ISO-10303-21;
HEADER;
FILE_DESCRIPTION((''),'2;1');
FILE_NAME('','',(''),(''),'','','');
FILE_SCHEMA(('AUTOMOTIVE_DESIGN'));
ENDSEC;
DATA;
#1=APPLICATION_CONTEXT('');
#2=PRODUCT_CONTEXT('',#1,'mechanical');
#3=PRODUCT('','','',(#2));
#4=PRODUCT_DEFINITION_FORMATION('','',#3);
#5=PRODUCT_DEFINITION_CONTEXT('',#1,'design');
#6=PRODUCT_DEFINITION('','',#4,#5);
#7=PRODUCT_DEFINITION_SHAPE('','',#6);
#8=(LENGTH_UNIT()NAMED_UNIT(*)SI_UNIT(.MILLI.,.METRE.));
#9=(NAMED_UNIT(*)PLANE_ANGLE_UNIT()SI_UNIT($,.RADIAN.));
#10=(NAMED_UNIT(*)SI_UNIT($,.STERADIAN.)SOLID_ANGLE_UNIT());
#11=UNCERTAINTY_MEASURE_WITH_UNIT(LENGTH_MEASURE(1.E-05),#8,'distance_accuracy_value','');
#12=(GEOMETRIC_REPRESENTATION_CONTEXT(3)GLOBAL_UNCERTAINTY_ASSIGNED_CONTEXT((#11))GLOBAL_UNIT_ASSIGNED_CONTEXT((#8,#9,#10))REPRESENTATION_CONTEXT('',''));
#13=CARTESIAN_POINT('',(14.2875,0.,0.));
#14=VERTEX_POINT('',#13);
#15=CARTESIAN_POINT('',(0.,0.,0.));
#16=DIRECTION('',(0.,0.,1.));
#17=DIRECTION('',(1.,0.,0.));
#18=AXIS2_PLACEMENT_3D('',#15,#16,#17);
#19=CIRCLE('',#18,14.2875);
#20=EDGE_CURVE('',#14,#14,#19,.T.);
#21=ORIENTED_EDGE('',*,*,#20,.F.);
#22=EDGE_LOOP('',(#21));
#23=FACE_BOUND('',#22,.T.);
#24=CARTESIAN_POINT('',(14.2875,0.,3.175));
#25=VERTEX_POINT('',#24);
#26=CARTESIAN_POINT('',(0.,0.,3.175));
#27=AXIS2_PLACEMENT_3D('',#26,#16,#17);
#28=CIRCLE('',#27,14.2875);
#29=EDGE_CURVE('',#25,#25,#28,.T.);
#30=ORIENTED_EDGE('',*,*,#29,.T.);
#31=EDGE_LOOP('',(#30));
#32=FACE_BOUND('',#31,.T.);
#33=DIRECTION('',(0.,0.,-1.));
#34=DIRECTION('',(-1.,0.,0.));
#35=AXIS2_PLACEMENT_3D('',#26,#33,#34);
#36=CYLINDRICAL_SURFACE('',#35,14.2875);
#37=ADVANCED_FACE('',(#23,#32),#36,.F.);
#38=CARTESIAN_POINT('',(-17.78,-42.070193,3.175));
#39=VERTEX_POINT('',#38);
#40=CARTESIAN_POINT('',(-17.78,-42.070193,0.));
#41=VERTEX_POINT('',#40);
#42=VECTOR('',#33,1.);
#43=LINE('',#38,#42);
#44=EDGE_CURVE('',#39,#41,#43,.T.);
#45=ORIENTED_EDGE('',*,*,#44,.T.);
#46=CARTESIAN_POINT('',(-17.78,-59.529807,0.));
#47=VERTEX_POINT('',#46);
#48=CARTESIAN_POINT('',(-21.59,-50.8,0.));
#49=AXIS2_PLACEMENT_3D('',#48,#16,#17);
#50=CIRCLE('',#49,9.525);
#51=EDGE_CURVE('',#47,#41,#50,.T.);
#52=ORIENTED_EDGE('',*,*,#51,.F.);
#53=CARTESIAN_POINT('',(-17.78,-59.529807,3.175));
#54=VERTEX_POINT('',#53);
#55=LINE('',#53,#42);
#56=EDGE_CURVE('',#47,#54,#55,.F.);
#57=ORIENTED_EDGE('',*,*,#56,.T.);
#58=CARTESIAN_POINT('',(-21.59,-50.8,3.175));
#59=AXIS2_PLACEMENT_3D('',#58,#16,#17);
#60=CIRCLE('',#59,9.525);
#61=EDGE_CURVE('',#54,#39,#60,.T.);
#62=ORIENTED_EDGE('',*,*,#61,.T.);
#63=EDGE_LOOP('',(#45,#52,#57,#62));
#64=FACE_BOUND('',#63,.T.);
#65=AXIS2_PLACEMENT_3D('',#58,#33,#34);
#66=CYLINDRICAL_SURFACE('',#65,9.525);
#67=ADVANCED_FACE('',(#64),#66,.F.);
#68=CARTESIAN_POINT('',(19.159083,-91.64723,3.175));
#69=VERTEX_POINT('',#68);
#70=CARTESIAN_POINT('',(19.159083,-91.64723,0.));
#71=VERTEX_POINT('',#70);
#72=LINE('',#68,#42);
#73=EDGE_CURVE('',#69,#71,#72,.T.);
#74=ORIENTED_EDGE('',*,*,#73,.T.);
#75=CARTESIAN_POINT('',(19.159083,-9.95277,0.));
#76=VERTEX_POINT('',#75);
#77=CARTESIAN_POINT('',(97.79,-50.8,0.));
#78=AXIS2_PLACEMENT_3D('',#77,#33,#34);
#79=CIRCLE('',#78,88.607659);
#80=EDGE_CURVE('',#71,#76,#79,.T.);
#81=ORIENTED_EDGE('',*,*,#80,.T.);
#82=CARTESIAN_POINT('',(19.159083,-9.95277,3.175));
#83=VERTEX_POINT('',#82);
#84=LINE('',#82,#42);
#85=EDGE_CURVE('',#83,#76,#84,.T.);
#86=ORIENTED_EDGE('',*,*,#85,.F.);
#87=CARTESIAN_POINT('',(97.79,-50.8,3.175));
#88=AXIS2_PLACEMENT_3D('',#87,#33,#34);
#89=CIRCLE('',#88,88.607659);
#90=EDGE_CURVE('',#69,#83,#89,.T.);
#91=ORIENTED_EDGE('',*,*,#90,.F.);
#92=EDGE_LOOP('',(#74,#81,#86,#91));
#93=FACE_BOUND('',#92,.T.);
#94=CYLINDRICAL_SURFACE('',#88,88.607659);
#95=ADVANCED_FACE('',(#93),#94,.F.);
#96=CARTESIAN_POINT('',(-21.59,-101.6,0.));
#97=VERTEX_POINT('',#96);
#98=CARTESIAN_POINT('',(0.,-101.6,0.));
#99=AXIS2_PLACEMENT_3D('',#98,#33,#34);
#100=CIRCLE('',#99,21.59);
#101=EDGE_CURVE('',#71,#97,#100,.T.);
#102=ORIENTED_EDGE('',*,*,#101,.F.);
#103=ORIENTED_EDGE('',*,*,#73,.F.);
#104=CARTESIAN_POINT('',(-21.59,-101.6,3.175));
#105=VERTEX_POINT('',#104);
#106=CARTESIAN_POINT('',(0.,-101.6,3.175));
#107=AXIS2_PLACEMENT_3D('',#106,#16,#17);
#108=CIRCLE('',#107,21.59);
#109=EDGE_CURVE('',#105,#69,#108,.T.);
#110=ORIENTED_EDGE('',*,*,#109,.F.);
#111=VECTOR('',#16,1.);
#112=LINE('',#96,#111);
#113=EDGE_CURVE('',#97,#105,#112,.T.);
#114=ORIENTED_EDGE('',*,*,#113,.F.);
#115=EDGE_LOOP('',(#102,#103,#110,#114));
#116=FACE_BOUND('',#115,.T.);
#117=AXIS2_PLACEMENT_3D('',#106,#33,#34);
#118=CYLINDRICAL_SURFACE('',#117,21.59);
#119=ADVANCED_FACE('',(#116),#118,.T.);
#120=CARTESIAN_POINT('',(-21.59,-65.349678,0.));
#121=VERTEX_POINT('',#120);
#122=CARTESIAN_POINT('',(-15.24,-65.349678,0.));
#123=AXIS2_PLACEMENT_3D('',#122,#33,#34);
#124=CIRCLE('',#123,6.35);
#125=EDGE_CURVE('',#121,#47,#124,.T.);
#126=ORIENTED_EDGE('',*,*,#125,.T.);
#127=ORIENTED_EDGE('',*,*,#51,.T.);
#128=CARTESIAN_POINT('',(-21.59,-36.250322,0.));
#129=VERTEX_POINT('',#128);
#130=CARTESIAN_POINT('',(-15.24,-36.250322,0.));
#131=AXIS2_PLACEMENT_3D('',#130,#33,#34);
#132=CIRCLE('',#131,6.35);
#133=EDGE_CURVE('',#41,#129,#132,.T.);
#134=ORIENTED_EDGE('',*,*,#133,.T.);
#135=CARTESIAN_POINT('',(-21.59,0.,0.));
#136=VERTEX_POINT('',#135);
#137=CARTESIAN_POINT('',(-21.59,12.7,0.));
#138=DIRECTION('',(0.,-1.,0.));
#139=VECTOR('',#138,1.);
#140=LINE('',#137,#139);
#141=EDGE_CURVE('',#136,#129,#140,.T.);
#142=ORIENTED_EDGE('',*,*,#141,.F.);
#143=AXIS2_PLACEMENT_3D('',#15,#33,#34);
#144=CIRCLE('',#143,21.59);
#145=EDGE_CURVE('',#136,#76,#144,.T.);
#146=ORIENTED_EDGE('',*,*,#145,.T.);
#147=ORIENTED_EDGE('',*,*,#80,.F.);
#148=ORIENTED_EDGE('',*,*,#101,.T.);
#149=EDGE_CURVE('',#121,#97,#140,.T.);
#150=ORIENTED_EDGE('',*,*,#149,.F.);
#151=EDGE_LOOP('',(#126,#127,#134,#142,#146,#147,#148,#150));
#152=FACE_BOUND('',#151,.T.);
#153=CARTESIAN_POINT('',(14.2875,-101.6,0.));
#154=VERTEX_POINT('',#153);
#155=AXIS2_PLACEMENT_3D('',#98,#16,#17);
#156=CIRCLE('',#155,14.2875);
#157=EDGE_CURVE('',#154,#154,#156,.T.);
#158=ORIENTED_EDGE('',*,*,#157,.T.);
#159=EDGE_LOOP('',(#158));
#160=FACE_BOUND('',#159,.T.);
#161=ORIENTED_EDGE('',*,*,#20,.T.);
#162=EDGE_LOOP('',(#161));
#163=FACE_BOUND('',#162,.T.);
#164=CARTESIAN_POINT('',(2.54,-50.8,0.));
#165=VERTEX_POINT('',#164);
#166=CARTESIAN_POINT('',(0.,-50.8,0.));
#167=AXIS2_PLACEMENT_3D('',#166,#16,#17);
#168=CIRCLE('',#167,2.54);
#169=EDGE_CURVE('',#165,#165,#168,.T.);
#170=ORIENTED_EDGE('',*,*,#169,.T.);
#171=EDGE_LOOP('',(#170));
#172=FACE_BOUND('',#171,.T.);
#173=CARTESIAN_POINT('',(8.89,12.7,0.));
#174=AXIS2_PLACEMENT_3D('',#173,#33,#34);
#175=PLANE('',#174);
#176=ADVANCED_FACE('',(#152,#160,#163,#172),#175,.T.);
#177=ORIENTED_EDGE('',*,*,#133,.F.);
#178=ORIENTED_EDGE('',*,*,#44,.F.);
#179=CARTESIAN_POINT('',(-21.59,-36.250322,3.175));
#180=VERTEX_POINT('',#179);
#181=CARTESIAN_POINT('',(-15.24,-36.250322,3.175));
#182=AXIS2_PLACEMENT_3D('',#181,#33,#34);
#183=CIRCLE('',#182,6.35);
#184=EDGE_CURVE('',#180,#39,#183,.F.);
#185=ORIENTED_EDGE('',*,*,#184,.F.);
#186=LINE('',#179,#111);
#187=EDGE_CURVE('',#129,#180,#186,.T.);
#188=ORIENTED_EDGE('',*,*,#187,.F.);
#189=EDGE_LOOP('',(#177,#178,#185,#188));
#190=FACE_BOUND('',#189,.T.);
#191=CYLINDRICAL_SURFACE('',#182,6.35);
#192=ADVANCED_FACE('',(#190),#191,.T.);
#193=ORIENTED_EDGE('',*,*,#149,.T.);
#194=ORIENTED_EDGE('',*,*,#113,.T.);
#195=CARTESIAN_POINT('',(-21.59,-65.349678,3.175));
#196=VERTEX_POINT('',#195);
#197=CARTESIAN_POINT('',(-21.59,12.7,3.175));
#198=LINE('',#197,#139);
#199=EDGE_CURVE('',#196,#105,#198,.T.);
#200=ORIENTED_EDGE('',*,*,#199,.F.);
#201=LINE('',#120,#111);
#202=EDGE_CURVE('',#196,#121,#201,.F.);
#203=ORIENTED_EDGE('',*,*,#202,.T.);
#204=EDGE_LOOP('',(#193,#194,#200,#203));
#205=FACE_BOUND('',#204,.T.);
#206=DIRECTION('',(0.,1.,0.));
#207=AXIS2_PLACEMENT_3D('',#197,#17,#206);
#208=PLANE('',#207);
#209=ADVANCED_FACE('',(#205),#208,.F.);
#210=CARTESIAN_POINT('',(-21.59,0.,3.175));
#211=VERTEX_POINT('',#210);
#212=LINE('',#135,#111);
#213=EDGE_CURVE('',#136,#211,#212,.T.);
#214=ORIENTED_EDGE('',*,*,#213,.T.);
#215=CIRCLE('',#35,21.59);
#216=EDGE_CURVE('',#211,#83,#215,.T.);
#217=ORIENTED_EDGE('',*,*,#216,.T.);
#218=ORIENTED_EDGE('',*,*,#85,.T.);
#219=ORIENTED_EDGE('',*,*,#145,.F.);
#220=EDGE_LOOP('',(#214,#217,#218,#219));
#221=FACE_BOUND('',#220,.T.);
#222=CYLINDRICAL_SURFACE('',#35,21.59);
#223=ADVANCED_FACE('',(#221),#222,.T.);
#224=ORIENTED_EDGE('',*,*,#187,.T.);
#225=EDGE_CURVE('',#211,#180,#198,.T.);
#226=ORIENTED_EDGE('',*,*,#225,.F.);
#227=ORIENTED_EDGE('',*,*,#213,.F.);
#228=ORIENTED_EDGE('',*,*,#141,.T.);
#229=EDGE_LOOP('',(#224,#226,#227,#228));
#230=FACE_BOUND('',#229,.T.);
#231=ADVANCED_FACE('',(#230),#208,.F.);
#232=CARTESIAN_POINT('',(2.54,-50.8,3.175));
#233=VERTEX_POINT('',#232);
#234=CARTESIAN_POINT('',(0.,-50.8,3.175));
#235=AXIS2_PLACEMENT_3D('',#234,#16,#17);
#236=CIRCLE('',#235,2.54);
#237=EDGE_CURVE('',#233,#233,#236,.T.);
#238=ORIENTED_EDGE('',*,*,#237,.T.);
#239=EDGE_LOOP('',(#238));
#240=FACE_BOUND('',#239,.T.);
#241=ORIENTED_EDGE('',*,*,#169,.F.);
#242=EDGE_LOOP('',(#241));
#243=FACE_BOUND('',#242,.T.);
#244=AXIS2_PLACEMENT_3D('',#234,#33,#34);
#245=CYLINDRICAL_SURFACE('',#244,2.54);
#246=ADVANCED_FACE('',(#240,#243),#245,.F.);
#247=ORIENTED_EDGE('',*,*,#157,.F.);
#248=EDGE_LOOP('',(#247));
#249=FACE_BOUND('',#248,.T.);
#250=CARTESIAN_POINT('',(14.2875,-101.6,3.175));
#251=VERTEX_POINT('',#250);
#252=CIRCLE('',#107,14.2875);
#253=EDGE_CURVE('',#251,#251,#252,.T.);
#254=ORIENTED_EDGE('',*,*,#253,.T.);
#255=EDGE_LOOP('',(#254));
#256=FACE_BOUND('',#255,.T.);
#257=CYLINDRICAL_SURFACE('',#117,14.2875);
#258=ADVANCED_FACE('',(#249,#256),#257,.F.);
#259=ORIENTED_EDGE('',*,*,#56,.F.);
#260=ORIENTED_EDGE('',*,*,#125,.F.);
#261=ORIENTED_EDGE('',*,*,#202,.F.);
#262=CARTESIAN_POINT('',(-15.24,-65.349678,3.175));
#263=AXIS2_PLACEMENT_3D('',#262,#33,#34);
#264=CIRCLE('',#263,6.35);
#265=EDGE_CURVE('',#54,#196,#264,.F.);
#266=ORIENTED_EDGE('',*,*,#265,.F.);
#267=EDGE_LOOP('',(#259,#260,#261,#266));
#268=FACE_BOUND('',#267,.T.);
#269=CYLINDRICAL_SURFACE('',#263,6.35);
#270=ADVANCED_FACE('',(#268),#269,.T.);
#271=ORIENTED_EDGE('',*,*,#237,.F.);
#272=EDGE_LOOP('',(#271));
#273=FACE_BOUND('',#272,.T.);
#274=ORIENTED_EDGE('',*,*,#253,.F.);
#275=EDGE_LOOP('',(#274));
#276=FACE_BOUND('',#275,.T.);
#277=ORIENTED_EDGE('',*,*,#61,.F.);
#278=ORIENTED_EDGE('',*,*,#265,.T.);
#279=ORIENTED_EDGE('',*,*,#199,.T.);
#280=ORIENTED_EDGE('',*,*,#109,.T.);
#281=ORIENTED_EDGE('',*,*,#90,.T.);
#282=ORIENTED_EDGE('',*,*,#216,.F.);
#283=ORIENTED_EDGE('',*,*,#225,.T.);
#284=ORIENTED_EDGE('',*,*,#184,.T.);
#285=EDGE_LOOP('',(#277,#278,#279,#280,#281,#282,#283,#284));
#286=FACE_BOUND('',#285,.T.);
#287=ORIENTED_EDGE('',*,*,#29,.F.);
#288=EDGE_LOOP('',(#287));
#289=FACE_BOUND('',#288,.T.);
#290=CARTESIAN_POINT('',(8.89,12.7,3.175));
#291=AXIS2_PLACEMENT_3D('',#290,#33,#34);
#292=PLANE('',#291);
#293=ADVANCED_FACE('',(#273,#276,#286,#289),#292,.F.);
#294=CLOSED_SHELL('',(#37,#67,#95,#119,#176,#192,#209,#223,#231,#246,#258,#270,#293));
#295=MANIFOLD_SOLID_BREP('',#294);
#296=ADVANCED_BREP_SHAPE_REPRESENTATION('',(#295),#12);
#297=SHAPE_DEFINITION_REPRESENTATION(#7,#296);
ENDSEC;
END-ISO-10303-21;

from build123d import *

# Parameters (mm, degrees)
SKETCH1_R           = 14.2875
SKETCH1_R_2         = 2.54
BOSS_EXTRUDE1_DEPTH = 3.175
CUT_EXTRUDE1_DEPTH  = 162.674043733
FILLET3_R           = 6.35
SKETCH3_R           = 2.54
BOSS_EXTRUDE3_DEPTH = 3.175
SKETCH6_R           = 2.54
BOSS_EXTRUDE4_DEPTH = 3.175
FILLET2_R           = 6.35
CUT_EXTRUDE2_DEPTH  = 169.237022961
CUT_EXTRUDE3_DEPTH  = 169.237022961
CUT_EXTRUDE4_DEPTH  = 168.265702461


with BuildPart() as part:
    # Sketch1 → Boss-Extrude1 (new body)
    with BuildSketch(Plane.XY):
        with BuildLine():
            Line((-8.89, 25.4), (8.89, 25.4))
            ThreePointArc((8.89, 25.4), (17.870256121, 21.680256121), (21.59, 12.7))
            Line((21.59, 12.7), (21.59, -117.775079775))
            ThreePointArc((21.59, -117.775079775), (21.127743647, -120.388718212), (19.797058824, -122.685251408))
            Line((19.797058824, -122.685251408), (-7.952696208, -155.616779465))
            ThreePointArc((-7.952696208, -155.616779465), (-12.268297602, -157.851943494), (-16.900388255, -156.380852124))
            Line((-16.900388255, -156.380852124), (-32.439211784, -143.287061102))
            ThreePointArc((-32.439211784, -143.287061102), (-34.674375812, -138.971459708), (-33.203284443, -134.339369055))
            Line((-33.203284443, -134.339369055), (-23.382941176, -122.685251408))
            ThreePointArc((-23.382941176, -122.685251408), (-22.052256353, -120.388718212), (-21.59, -117.775079775))
            Line((-21.59, -117.775079775), (-21.59, 12.7))
            ThreePointArc((-21.59, 12.7), (-17.870256121, 21.680256121), (-8.89, 25.4))
        make_face()
        Circle(SKETCH1_R, mode=Mode.SUBTRACT)
        with Locations((0, -101.6)):
            Circle(SKETCH1_R, mode=Mode.SUBTRACT)
        with Locations((-18.532085478, -142.550133084)):
            Circle(SKETCH1_R_2, mode=Mode.SUBTRACT)
        with Locations((0, -50.8)):
            Circle(SKETCH1_R_2, mode=Mode.SUBTRACT)
    extrude(amount=BOSS_EXTRUDE1_DEPTH)

    # Sketch2 → Cut-Extrude1 (cut, through all)
    with BuildSketch(Plane.XY):
        with BuildLine():
            ThreePointArc((19.159083004, -91.647229609), (9.182340769, -50.8), (19.159083004, -9.952770391))
            ThreePointArc((19.159083004, -9.952770391), (20.973467787, -5.122670102), (21.59, 0))
            Line((21.59, 0), (27.94, 0))
            Line((27.94, 0), (27.94, -121.656687185))
            Line((27.94, -121.656687185), (-7.620284479, -163.8572221))
            Line((-7.620284479, -163.8572221), (-17.501317584, -155.874478972))
            Line((-17.501317584, -155.874478972), (16.51, -115.512152961))
            ThreePointArc((16.51, -115.512152961), (20.280273667, -109.005308906), (21.59, -101.6))
            ThreePointArc((21.59, -101.6), (20.973467787, -96.477329898), (19.159083004, -91.647229609))
        make_face()
        with BuildLine():
            Line((-21.59, -41.275), (-21.59, -60.325))
            ThreePointArc((-21.59, -60.325), (-12.065, -50.8), (-21.59, -41.275))
        make_face()
    extrude(amount=CUT_EXTRUDE1_DEPTH, mode=Mode.SUBTRACT)


with BuildPart() as cut_extrude1_piece_1:
    # of the separate pieces the step leaves, piece 1, a body of its own (cut_extrude1_pieces)
    add(part.part.solids().sort_by_distance((-8.89, 25.4, 0))[0])

    # Fillet3
    fillet3_edges = [cut_extrude1_piece_1.edges().sort_by_distance(p)[0] for p in [
        (-21.59, -41.275, 1.5875),
        (-21.59, -60.325, 1.5875),
    ]]
    fillet(fillet3_edges, radius=FILLET3_R)

    # Sketch3 → Boss-Extrude3 (add)
    with BuildSketch(Plane.XY.offset(3.175)):
        with BuildLine():
            Line((-27.351416194, -127.394768527), (-36.025496499, -137.688579))
            ThreePointArc((-36.025496499, -137.688579), (-37.217489152, -141.441859142), (-35.4063854, -144.93869507))
            Line((-35.4063854, -144.93869507), (-24.403104784, -154.210610454))
            ThreePointArc((-24.403104784, -154.210610454), (-19.771014132, -155.681701823), (-15.455412737, -153.446537795))
            Line((-15.455412737, -153.446537795), (-7.557639641, -144.073996091))
            Line((-7.557639641, -144.073996091), (-27.351416194, -127.394768527))
        make_face()
        with Locations((-18.532085478, -142.550133084)):
            Circle(SKETCH3_R, mode=Mode.SUBTRACT)
    extrude(amount=-BOSS_EXTRUDE3_DEPTH)

    # Sketch6 → Boss-Extrude4 (add)
    with BuildSketch(Plane.XY.offset(3.175)):
        Polygon((-35.4063854, -144.93869507), (-63.620410749, -121.164144113), (-51.344981666, -106.596497054), (-27.065569901, -127.055545526), align=None)
        with Locations((-52.626813855, -117.972130278)):
            Circle(SKETCH6_R, mode=Mode.SUBTRACT)
    extrude(amount=-BOSS_EXTRUDE4_DEPTH)

    # Fillet2
    fillet2_edges = [cut_extrude1_piece_1.edges().sort_by_distance(p)[0] for p in [
        (-63.620410749, -121.164144113, 1.5875),
        (-51.344981666, -106.596497054, 1.5875),
        (-27.065569901, -127.055545526, 1.5875),
    ]]
    fillet(fillet2_edges, radius=FILLET2_R)

    # Sketch7 → Cut-Extrude2 (cut, through all)
    with BuildSketch(Plane.XY.offset(3.175)):
        with BuildLine():
            Line((-21.59, 0), (-21.59, 31.75))
            Line((-21.59, 31.75), (21.59, 31.75))
            Line((21.59, 31.75), (21.59, 0))
            ThreePointArc((21.59, 0), (0, 21.59), (-21.59, 0))
        make_face()
    extrude(amount=-CUT_EXTRUDE2_DEPTH, mode=Mode.SUBTRACT)


with BuildPart() as cut_extrude1_piece_2:
    # of the separate pieces the step leaves, piece 2, a body of its own (cut_extrude1_pieces)
    add(part.part.solids().sort_by_distance((-16.900388255, -156.380852124, 0))[0])


with BuildPart() as cut_extrude3_tool:
    # Sketch10 → Cut-Extrude3 (new, through all)
    with BuildSketch(Plane.XY.offset(3.175)):
        with BuildLine():
            Line((-18.151882461, -155.32628042), (-17.361482582, -157.512020269))
            Line((-17.361482582, -157.512020269), (-14.375706423, -156.432313955))
            Line((-14.375706423, -156.432313955), (-15.455412737, -153.446537795))
            ThreePointArc((-15.455412737, -153.446537795), (-16.679911193, -154.563907595), (-18.151882461, -155.32628042))
        make_face()
    extrude(amount=-CUT_EXTRUDE3_DEPTH)


with BuildPart() as cut_extrude1_piece_1_1:
    add(cut_extrude1_piece_1.part)

    # Cut-Extrude3: cut by cut_extrude3_tool
    add(cut_extrude3_tool.part, mode=Mode.SUBTRACT)

    # Sketch12 → Cut-Extrude4 (cut, through all)
    with BuildSketch(Plane.XY.offset(3.175)):
        with BuildLine():
            Line((-21.59, -101.6), (-72.39, -101.6))
            Line((-72.39, -101.6), (-72.39, -165.1))
            Line((-72.39, -165.1), (16.51, -165.1))
            Line((16.51, -165.1), (16.51, -115.512152961))
            ThreePointArc((16.51, -115.512152961), (-7.405308906, -121.880273667), (-21.59, -101.6))
        make_face()
    extrude(amount=-CUT_EXTRUDE4_DEPTH, mode=Mode.SUBTRACT)


with BuildPart() as cut_extrude1_piece_2_1:
    add(cut_extrude1_piece_2.part)

    # Cut-Extrude3: cut by cut_extrude3_tool
    add(cut_extrude3_tool.part, mode=Mode.SUBTRACT)


solid = cut_extrude1_piece_1_1.part
